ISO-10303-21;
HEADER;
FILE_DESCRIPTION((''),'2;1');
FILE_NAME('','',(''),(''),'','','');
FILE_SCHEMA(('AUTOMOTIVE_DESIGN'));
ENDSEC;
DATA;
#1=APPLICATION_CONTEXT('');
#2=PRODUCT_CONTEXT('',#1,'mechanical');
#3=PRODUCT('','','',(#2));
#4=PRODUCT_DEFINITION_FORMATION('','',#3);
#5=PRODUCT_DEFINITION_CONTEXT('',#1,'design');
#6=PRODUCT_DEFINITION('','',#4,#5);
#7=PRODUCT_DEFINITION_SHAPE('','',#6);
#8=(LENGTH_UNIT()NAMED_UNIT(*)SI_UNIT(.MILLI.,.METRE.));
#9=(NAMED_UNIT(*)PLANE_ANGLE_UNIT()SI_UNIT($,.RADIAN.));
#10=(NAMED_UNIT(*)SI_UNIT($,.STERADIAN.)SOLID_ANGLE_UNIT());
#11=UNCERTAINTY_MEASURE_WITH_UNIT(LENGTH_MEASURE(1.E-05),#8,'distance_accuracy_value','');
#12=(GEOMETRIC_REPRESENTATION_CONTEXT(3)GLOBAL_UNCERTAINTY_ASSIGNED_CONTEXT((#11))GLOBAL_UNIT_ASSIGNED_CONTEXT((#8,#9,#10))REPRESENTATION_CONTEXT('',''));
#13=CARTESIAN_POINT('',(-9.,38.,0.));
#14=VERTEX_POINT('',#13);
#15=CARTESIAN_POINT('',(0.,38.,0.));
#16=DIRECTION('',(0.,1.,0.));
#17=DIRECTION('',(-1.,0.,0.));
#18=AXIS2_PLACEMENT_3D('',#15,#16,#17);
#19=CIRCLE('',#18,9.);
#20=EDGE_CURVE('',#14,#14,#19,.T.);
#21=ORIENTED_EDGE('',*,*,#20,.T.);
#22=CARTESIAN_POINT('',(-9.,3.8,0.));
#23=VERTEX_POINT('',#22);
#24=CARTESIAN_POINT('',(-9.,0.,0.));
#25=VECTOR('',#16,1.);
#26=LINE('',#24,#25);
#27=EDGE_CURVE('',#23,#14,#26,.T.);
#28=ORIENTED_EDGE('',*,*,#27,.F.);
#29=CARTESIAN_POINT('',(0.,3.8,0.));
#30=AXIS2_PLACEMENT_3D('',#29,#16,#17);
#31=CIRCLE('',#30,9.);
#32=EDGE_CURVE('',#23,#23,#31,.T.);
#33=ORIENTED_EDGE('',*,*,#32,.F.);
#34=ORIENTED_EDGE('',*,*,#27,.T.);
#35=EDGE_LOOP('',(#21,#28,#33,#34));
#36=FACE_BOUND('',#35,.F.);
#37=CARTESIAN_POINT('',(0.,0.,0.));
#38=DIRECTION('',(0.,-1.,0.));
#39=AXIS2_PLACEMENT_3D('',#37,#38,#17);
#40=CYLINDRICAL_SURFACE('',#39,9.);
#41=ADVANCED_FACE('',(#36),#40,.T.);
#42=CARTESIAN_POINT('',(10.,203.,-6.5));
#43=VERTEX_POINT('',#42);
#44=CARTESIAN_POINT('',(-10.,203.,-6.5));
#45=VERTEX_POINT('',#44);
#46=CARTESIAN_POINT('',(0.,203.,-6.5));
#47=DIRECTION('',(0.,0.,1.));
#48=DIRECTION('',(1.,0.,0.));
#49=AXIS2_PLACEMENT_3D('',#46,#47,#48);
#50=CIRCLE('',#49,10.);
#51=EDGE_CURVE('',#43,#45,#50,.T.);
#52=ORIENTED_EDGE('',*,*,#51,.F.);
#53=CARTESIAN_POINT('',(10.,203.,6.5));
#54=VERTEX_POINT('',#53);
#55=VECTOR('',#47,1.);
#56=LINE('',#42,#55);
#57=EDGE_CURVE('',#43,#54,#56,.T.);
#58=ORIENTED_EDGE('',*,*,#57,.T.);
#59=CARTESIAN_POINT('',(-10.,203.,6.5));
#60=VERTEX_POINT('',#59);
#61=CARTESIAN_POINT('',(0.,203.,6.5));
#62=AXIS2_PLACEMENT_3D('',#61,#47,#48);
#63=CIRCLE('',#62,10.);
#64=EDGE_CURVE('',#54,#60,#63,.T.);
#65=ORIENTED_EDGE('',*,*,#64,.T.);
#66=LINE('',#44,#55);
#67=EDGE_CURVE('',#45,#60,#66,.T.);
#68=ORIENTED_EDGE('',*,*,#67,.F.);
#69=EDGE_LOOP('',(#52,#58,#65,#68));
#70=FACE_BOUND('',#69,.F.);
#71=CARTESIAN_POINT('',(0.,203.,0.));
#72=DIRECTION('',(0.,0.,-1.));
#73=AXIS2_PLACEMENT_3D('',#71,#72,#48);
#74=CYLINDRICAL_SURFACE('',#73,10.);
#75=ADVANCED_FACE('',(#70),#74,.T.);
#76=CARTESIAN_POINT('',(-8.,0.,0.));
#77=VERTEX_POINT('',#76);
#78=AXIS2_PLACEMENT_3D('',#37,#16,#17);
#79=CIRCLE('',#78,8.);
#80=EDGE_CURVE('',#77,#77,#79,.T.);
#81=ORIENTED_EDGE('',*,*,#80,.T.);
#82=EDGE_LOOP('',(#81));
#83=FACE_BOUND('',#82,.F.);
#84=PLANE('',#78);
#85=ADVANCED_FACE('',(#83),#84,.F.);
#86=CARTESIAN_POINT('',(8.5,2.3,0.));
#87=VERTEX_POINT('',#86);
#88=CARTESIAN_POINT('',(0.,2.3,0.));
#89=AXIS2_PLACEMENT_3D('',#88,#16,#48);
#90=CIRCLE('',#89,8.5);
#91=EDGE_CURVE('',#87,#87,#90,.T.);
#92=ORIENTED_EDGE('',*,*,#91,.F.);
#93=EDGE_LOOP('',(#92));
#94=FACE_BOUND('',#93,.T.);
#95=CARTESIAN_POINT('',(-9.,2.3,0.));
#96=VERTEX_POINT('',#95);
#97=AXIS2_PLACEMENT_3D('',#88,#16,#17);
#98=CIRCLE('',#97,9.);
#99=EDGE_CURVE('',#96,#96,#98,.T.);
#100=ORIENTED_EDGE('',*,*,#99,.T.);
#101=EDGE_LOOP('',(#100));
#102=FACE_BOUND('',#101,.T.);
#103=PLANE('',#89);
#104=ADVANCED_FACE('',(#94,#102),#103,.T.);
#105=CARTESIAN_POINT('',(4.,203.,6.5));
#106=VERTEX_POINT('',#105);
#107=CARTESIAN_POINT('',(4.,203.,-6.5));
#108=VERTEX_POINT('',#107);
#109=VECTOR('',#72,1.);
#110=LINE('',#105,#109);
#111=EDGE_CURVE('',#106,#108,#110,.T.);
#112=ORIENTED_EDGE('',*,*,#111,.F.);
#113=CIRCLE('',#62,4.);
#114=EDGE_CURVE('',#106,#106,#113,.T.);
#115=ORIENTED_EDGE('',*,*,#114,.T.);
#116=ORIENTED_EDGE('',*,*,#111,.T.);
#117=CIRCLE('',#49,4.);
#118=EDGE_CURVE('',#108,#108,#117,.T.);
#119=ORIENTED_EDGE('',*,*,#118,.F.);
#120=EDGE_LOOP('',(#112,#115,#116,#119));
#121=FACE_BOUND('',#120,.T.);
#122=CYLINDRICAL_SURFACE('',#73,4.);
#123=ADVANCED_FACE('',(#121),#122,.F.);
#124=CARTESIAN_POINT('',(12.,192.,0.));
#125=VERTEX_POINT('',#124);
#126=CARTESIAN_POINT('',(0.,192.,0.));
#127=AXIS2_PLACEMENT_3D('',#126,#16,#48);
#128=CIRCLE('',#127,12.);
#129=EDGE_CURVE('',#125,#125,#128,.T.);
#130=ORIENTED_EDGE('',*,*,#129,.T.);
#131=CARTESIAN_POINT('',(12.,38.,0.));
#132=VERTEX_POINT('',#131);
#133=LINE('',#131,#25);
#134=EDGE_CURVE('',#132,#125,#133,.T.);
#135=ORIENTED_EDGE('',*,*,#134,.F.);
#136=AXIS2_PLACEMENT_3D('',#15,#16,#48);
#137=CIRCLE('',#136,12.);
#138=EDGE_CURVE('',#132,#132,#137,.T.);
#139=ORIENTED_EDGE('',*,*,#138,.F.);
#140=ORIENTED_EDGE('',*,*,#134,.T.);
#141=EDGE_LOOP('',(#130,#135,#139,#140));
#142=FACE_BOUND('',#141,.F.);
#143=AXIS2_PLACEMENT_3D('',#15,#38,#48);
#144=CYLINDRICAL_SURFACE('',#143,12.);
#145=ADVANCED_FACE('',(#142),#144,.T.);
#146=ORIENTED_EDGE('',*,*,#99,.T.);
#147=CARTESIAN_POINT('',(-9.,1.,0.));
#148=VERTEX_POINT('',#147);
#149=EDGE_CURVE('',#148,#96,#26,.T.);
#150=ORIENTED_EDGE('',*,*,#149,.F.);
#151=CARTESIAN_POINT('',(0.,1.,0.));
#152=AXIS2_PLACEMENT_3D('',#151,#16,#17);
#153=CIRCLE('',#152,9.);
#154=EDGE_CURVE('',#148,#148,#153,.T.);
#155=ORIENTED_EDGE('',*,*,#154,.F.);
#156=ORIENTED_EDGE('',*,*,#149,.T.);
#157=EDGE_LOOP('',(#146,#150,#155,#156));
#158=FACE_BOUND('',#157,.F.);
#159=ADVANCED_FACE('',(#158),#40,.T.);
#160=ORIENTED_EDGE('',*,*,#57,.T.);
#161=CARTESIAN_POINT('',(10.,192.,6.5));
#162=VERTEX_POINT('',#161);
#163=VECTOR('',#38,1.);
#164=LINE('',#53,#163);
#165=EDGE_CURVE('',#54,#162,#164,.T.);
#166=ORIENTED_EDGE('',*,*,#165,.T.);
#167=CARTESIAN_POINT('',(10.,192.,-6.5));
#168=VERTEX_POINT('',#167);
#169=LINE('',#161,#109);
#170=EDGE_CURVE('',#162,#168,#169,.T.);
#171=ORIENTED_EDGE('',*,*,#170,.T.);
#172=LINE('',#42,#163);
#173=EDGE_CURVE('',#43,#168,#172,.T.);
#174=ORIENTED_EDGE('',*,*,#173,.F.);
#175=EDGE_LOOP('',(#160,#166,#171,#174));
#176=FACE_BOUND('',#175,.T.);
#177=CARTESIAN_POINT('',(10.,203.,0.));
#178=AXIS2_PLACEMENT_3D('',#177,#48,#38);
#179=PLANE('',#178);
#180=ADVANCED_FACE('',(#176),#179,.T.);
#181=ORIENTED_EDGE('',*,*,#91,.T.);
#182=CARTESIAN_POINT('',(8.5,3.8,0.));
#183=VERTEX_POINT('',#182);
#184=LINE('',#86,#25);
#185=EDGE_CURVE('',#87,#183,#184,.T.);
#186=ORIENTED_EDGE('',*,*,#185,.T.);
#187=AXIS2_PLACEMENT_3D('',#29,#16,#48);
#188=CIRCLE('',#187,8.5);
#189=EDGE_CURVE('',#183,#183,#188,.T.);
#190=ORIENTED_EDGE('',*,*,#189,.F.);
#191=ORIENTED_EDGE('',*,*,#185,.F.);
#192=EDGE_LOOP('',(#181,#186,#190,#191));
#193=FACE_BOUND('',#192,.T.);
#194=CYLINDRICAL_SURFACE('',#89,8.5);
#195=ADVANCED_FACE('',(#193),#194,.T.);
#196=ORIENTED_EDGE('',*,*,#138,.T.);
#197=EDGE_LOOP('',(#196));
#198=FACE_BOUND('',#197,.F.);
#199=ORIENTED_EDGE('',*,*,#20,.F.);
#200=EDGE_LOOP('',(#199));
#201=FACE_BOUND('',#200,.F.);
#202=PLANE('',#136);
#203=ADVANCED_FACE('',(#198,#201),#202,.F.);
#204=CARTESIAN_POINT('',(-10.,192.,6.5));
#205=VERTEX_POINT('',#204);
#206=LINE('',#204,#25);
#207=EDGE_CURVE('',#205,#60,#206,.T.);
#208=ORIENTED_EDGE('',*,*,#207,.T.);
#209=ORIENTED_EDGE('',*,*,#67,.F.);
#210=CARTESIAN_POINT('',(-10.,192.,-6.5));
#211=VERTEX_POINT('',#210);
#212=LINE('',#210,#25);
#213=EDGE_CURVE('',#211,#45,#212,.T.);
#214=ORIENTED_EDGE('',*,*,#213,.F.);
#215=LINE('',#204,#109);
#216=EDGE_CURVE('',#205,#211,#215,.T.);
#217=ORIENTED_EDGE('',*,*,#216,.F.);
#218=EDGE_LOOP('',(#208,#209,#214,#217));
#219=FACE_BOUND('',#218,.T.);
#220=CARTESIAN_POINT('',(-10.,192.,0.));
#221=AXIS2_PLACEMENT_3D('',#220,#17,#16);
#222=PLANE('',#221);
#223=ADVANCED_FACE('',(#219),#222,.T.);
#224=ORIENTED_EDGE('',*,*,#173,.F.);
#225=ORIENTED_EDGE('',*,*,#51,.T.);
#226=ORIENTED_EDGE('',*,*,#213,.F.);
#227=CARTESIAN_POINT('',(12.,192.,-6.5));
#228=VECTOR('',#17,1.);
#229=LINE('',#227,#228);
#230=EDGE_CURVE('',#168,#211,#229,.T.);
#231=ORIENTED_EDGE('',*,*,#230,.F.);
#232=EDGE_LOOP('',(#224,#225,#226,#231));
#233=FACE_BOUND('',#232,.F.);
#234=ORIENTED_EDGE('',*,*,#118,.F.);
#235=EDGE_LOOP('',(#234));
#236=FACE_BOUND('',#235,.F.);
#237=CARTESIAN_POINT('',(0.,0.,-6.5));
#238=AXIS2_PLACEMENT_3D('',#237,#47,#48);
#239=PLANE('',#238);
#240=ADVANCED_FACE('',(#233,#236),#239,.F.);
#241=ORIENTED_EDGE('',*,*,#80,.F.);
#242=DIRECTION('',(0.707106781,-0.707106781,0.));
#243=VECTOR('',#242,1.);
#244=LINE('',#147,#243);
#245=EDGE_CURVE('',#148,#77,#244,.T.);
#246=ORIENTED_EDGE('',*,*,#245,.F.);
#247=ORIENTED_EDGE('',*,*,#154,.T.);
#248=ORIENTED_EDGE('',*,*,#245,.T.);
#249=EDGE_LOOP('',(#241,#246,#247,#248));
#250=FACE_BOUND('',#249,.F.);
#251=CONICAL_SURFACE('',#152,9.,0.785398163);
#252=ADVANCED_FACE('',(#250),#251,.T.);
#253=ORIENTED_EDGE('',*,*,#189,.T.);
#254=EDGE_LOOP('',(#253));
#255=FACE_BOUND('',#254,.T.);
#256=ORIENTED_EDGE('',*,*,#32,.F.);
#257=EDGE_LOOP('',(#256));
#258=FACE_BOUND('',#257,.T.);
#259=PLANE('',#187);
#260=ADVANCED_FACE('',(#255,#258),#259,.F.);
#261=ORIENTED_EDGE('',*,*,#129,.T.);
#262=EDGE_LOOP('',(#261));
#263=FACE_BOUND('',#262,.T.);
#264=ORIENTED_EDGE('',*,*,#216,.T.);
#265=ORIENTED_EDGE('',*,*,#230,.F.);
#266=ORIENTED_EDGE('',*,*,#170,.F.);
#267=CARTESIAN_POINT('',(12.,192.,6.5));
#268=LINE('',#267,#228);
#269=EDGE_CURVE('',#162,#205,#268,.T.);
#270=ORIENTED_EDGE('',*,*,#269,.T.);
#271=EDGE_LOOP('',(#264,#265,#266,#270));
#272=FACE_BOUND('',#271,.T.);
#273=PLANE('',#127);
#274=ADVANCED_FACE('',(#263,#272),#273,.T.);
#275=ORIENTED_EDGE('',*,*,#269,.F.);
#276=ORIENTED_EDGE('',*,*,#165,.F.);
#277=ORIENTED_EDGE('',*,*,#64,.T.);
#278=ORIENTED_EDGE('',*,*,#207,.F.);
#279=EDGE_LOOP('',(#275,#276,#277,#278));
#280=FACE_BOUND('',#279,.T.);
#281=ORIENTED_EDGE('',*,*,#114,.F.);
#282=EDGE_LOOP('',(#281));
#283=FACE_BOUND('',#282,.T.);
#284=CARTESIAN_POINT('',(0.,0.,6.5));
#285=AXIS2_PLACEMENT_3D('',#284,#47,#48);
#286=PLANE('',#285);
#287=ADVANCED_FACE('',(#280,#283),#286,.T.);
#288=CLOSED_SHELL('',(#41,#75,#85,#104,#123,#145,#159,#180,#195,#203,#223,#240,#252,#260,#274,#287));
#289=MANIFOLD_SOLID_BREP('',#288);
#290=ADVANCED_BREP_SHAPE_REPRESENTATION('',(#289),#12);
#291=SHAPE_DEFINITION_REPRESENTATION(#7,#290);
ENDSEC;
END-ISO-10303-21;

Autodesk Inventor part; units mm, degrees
ref_plane "YZ Plane" through (0, 0, 0) normal (1, 0, 0) x (0, 1, 0)
ref_plane "XZ Plane" through (0, 0, 0) normal (0, 1, 0) x (-1, 0, 0)
ref_plane "XY Plane" through (0, 0, 0) normal (0, 0, 1) x (1, 0, 0)
sketch "Boceto1" plane through (0, 0, 0) normal (0, 1, 0) x (-1, 0, 0)
  circle A0 centre (0, 0) radius 9
  dimension "d0" = 18
extrude "Extrusión1" add sketch "Boceto1" along normal blind 38
sketch "Boceto2" plane through (0, 38, 0) normal (0, 1, 0) x (1, 0, 0)
  circle A0 centre (0, 0) radius 12
  dimension "d3" = 24
extrude "Extrusión2" add sketch "Boceto2" along normal blind 154
sketch "Boceto3" plane through (0, 0, 0) normal (0, 0, 1) x (1, 0, 0)
  line L0 (0, 0) -> (0, 203) construction
  circle A0 centre (0, 203) radius 4
  arc A1 (10, 203) -> (-10, 203) centre (0, 203) ccw
  line L1 (10, 203) -> (10, 192)
  line L2 (12, 192) -> (-12, 192) projected
  line L3 (-10, 192) -> (-10, 203)
  line L4 (-10, 192) -> (10, 192)
  dimension "d6" = 203
  dimension "d7" = 8
  dimension "d8" = 20
  dimension "d9" = 20
extrude "Extrusión3" add sketch "Boceto3" along normal mid plane 13
sketch "Boceto4" plane through (0, 0, 0) normal (0, 0, 1) x (1, 0, 0)
  line L0 (0, 0) -> (0, 3.8) construction
  line L1 (0, 3.8) -> (9, 3.8) construction
  line L2 (9, 0) -> (9, 38) projected
  line L3 (9, 3.8) -> (9, 2.3)
  line L4 (9, 2.3) -> (8.5, 2.3)
  line L5 (8.5, 2.3) -> (8.5, 3.8)
  line L6 (8.5, 3.8) -> (9, 3.8)
  dimension "d12" = 3.8
  dimension "d13" = 1.5
  dimension "d14" = 0.5
revolve "Revolución1" cut sketch "Boceto4" angle 360 about axis through (0, 0, 0) along (0, 1, 0)
chamfer "Chaflán1" distance 1 angle 45 1 edges at (9, 0, 0) measured on face at (-2.2455, 0, -1.9894)
properties part number "14_Eje"
